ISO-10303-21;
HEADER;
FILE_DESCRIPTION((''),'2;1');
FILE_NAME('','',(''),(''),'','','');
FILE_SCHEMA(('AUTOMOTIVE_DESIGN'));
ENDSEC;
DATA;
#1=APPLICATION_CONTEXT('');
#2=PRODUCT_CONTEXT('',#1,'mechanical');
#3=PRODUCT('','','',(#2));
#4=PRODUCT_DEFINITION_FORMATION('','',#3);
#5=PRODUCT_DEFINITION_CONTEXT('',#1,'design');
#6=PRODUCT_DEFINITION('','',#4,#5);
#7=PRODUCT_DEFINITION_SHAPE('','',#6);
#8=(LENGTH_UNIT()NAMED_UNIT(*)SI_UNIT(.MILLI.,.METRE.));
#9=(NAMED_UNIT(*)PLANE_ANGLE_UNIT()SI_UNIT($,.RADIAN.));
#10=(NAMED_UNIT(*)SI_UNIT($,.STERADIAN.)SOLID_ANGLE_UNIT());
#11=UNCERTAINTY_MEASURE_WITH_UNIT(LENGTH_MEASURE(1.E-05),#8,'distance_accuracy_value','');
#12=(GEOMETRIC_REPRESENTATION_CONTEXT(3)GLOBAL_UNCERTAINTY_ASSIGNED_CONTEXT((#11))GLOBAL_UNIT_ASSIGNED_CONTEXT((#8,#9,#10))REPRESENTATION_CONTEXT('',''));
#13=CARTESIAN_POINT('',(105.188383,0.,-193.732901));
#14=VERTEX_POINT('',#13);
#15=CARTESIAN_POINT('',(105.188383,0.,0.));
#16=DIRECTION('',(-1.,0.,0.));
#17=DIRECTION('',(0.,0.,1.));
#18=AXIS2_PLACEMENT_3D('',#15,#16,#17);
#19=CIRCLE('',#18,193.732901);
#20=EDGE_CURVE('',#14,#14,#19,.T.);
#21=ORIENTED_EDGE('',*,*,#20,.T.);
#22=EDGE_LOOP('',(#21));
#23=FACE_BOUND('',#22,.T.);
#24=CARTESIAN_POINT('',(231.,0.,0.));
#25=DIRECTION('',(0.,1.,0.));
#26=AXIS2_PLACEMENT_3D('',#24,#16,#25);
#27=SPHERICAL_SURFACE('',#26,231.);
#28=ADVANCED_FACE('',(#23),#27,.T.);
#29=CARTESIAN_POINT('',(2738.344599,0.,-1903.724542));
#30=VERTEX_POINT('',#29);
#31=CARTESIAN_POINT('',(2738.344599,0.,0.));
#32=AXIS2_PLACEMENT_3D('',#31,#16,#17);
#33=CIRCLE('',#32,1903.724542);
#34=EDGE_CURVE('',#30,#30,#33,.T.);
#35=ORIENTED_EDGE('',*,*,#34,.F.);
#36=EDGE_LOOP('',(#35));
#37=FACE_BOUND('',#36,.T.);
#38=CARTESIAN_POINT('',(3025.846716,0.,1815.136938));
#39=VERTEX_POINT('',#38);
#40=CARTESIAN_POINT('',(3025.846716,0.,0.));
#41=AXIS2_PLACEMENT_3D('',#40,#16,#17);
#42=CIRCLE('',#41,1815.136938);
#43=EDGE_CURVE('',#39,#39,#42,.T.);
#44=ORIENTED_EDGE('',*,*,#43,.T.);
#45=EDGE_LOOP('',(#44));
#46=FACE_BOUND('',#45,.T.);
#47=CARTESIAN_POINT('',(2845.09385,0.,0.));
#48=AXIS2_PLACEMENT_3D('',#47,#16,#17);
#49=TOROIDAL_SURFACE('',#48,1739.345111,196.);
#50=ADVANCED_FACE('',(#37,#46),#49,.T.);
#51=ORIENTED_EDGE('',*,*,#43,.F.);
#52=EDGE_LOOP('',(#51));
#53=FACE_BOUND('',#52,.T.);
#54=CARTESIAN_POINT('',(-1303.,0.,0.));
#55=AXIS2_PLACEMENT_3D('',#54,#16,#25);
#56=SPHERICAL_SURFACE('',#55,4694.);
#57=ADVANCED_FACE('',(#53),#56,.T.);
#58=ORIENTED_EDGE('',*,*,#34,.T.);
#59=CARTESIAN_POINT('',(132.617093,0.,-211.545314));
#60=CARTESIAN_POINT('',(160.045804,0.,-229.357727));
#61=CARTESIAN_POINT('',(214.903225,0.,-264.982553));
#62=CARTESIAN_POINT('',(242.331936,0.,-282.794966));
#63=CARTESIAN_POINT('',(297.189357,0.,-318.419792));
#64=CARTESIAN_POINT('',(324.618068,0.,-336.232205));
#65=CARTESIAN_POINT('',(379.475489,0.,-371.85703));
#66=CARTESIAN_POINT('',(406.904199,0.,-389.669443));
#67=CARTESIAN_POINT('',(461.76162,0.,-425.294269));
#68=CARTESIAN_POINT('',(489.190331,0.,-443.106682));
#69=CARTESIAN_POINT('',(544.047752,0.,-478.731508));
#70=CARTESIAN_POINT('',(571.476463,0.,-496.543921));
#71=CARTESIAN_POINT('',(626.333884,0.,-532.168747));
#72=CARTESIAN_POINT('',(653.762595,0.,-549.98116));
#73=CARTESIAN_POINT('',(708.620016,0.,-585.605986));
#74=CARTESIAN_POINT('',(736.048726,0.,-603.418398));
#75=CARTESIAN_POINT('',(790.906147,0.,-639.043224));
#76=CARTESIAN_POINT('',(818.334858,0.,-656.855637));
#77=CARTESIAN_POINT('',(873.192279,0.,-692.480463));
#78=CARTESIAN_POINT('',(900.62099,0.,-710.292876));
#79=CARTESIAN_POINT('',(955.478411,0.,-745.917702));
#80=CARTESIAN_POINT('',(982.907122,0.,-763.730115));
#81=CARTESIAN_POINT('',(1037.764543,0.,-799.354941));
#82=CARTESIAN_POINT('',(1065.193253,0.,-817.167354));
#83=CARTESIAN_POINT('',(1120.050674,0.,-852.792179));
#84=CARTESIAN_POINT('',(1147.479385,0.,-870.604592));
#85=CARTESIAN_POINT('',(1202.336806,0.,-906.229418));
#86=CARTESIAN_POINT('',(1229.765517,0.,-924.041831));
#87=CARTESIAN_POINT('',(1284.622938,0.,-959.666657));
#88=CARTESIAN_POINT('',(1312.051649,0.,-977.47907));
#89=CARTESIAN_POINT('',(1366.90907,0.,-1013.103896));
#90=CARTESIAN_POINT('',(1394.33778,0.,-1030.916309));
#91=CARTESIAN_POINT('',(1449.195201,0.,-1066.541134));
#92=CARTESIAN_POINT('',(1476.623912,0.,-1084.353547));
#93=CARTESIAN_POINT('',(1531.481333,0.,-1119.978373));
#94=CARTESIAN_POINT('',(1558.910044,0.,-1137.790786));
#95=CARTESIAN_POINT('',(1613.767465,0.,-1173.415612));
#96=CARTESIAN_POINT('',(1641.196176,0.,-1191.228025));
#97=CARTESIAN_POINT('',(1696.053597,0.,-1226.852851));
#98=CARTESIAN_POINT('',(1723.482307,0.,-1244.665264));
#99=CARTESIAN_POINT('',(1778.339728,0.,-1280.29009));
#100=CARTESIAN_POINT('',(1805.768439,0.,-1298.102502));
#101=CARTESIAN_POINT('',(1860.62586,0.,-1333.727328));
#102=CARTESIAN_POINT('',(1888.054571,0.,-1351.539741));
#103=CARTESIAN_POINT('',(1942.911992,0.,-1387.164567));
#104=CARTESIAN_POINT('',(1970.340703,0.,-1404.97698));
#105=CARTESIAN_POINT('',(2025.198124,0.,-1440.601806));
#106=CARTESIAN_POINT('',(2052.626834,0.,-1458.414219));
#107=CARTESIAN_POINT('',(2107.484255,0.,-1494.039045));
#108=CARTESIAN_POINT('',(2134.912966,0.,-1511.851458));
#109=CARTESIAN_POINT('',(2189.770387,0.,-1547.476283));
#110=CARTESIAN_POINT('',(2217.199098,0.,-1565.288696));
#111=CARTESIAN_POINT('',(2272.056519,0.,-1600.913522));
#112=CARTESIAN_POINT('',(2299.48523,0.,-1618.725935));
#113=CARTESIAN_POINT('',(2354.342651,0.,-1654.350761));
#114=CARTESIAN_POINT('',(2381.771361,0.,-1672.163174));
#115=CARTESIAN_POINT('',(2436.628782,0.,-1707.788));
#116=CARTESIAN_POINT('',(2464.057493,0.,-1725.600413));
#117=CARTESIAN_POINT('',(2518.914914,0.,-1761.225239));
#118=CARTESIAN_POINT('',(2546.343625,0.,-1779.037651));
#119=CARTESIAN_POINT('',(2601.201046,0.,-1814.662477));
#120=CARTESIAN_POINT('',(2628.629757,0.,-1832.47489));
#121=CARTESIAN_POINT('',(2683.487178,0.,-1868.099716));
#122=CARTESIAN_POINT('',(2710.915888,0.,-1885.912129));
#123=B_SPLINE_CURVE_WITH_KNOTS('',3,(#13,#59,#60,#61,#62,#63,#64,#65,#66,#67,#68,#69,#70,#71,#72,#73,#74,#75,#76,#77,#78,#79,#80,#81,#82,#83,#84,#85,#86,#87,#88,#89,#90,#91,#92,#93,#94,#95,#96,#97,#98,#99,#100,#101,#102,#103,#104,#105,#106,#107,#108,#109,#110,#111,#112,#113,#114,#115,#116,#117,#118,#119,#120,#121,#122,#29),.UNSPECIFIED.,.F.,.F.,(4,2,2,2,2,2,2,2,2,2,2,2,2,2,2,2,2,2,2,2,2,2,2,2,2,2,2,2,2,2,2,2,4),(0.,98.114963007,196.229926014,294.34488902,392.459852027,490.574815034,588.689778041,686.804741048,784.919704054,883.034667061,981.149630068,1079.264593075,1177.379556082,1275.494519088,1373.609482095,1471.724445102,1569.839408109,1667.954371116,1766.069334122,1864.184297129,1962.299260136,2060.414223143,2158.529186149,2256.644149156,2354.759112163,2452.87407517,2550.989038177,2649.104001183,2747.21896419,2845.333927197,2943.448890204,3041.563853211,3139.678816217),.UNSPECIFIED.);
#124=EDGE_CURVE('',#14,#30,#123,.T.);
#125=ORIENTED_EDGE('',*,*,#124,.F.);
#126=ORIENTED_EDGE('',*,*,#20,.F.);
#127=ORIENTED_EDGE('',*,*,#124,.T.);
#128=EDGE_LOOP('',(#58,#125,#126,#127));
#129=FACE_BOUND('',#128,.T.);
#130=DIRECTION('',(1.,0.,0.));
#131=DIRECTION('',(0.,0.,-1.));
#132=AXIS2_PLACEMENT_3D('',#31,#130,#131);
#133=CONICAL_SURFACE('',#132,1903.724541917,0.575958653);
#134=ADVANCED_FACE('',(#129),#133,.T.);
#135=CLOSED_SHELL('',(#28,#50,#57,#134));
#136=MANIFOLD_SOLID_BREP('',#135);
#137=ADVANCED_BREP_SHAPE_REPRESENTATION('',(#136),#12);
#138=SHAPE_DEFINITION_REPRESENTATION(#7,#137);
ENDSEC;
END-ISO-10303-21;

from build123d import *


with BuildPart() as part:
    # Schizzo1 → Rivoluzione1 (revolve)
    with BuildSketch(Plane.XY):
        with BuildLine():
            Line((105.188382912, 193.732901195), (2738.344598875, 1903.724541917))
            ThreePointArc((2738.344598875, 1903.724541917), (2902.809312677, 1926.654814934), (3025.846716467, 1815.136938452))
            ThreePointArc((3025.846716467, 1815.136938452), (3298.806302263, 925.750914907), (3391, 0))
            Line((3391, 0), (0, 0))
            ThreePointArc((0, 0), (27.993246975, 110.22367362), (105.188382912, 193.732901195))
        make_face()
    revolve(axis=Axis((0, 0, 0), (1, 0, 0)))


solid = part.part
